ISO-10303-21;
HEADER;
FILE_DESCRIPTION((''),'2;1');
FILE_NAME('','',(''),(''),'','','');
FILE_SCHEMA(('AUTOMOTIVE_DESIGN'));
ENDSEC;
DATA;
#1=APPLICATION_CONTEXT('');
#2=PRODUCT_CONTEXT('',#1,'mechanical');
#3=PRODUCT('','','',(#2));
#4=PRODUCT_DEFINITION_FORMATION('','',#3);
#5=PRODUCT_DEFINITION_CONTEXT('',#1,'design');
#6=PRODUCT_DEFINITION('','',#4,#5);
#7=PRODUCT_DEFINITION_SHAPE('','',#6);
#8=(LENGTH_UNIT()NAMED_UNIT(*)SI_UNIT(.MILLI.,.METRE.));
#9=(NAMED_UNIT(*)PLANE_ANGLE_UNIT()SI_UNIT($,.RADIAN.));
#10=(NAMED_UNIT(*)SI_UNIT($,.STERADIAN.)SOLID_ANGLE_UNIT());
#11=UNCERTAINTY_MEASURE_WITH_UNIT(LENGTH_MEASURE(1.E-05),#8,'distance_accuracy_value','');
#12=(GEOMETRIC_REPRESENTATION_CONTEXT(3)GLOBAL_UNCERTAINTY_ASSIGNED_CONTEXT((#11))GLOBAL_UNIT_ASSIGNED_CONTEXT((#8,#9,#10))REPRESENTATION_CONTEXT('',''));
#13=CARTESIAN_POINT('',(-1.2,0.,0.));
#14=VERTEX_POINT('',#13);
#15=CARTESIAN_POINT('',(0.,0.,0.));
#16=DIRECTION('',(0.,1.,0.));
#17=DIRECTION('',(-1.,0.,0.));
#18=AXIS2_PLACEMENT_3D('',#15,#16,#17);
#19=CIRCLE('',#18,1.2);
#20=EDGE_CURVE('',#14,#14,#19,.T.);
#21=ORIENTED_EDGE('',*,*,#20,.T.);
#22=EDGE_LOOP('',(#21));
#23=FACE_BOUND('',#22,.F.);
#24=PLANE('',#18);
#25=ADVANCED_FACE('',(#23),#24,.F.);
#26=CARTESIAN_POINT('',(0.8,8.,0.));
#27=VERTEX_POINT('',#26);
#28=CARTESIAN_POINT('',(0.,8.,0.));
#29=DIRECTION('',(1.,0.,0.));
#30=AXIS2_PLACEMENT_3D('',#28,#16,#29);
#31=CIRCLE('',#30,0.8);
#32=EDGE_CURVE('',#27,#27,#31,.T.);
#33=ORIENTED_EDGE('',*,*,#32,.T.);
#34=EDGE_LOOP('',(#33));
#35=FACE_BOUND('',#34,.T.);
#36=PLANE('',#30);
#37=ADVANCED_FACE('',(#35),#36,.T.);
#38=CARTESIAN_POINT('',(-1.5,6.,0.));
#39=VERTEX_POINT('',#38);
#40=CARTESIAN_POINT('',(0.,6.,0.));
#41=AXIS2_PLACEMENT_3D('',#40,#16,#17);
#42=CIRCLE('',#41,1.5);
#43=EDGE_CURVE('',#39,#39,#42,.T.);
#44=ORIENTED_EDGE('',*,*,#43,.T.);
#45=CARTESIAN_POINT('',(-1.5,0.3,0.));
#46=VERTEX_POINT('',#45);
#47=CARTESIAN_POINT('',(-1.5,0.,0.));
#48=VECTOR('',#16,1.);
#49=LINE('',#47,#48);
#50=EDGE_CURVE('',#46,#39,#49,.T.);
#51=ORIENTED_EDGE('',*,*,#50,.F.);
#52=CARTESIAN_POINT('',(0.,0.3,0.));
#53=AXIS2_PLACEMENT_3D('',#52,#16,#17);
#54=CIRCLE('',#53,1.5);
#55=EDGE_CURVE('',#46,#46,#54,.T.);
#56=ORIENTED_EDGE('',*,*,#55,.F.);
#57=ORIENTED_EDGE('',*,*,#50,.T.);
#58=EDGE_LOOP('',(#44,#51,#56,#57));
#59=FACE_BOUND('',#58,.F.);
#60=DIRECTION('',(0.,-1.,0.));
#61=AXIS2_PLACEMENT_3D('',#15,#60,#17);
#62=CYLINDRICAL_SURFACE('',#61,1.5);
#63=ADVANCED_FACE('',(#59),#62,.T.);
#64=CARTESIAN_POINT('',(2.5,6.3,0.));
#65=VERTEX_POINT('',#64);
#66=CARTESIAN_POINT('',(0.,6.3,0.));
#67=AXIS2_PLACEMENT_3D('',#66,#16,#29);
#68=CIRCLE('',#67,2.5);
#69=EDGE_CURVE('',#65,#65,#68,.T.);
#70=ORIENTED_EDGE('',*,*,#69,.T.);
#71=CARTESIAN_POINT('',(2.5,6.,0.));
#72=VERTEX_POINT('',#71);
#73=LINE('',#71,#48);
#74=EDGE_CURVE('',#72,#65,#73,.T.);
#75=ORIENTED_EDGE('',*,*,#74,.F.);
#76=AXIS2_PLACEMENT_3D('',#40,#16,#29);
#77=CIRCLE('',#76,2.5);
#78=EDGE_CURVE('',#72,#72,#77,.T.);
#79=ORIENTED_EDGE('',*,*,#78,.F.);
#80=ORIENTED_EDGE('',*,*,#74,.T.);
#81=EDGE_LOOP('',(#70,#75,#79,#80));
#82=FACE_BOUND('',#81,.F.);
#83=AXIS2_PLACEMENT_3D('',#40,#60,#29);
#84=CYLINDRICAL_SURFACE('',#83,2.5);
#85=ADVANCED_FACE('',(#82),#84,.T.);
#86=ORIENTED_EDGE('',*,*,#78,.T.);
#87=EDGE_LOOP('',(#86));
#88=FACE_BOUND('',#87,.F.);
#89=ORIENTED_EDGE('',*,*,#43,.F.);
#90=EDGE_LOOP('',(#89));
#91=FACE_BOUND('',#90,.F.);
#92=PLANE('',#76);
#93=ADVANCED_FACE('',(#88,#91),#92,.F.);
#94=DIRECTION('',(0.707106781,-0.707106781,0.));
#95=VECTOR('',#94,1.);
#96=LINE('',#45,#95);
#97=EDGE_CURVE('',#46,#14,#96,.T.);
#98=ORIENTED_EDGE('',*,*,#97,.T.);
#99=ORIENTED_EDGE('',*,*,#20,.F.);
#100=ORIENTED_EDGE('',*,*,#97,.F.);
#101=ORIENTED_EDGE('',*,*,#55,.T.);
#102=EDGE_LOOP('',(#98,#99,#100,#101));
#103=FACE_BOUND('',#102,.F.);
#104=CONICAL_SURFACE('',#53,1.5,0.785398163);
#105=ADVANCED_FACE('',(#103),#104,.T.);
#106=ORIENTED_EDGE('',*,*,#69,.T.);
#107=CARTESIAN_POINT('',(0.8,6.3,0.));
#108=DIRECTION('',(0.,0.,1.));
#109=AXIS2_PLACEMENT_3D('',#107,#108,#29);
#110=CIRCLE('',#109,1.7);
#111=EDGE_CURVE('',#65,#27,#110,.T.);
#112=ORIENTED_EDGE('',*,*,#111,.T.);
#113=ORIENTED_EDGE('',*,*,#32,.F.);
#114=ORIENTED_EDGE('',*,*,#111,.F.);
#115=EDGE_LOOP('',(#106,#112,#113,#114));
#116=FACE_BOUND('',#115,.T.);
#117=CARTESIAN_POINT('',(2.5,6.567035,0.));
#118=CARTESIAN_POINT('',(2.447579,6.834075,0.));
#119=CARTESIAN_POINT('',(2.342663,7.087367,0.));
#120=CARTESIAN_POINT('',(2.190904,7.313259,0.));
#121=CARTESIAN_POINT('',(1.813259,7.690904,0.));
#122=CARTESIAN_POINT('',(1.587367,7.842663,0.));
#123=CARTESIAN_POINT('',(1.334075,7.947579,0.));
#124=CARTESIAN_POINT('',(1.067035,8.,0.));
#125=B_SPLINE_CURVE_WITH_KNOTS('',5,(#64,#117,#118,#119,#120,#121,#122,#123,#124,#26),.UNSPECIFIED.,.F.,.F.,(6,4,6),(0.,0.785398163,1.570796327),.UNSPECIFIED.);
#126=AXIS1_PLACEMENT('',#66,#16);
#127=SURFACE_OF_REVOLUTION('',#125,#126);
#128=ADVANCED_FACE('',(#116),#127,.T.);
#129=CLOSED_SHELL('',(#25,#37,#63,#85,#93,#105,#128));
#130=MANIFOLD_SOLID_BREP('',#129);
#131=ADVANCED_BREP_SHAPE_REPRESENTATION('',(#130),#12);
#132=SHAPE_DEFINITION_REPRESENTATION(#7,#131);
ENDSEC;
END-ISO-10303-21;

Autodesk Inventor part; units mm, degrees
ref_plane "YZ Plane" through (0, 0, 0) normal (1, 0, 0) x (0, 1, 0)
ref_plane "XZ Plane" through (0, 0, 0) normal (0, 1, 0) x (-1, 0, 0)
ref_plane "XY Plane" through (0, 0, 0) normal (0, 0, 1) x (1, 0, 0)
sketch "Sketch1" plane through (0, 0, 0) normal (0, 1, 0) x (-1, 0, 0)
  circle A0 centre (0, 0) radius 1.5
  dimension "d0" = 3
extrude "Extrusion1" add sketch "Sketch1" along normal blind 6
sketch "Sketch2" plane through (0, 6, 0) normal (0, 1, 0) x (1, 0, 0)
  circle A0 centre (0, 0) radius 2.5
  dimension "d3" = 5
extrude "Extrusion2" add sketch "Sketch2" along normal blind 2
fillet "Fillet1" radius 1.7 1 edges at (-2.5, 8, 0)
chamfer "Chamfer1" distance 0.3 angle 45 1 edges at (1.5, 0, 0)
thread "Thread1" size "M3x0.5" class "6g" standard "ANSI Metric M Profile" full length
properties part number "M3x6 Screw Nylon" material "Nylon 6"
